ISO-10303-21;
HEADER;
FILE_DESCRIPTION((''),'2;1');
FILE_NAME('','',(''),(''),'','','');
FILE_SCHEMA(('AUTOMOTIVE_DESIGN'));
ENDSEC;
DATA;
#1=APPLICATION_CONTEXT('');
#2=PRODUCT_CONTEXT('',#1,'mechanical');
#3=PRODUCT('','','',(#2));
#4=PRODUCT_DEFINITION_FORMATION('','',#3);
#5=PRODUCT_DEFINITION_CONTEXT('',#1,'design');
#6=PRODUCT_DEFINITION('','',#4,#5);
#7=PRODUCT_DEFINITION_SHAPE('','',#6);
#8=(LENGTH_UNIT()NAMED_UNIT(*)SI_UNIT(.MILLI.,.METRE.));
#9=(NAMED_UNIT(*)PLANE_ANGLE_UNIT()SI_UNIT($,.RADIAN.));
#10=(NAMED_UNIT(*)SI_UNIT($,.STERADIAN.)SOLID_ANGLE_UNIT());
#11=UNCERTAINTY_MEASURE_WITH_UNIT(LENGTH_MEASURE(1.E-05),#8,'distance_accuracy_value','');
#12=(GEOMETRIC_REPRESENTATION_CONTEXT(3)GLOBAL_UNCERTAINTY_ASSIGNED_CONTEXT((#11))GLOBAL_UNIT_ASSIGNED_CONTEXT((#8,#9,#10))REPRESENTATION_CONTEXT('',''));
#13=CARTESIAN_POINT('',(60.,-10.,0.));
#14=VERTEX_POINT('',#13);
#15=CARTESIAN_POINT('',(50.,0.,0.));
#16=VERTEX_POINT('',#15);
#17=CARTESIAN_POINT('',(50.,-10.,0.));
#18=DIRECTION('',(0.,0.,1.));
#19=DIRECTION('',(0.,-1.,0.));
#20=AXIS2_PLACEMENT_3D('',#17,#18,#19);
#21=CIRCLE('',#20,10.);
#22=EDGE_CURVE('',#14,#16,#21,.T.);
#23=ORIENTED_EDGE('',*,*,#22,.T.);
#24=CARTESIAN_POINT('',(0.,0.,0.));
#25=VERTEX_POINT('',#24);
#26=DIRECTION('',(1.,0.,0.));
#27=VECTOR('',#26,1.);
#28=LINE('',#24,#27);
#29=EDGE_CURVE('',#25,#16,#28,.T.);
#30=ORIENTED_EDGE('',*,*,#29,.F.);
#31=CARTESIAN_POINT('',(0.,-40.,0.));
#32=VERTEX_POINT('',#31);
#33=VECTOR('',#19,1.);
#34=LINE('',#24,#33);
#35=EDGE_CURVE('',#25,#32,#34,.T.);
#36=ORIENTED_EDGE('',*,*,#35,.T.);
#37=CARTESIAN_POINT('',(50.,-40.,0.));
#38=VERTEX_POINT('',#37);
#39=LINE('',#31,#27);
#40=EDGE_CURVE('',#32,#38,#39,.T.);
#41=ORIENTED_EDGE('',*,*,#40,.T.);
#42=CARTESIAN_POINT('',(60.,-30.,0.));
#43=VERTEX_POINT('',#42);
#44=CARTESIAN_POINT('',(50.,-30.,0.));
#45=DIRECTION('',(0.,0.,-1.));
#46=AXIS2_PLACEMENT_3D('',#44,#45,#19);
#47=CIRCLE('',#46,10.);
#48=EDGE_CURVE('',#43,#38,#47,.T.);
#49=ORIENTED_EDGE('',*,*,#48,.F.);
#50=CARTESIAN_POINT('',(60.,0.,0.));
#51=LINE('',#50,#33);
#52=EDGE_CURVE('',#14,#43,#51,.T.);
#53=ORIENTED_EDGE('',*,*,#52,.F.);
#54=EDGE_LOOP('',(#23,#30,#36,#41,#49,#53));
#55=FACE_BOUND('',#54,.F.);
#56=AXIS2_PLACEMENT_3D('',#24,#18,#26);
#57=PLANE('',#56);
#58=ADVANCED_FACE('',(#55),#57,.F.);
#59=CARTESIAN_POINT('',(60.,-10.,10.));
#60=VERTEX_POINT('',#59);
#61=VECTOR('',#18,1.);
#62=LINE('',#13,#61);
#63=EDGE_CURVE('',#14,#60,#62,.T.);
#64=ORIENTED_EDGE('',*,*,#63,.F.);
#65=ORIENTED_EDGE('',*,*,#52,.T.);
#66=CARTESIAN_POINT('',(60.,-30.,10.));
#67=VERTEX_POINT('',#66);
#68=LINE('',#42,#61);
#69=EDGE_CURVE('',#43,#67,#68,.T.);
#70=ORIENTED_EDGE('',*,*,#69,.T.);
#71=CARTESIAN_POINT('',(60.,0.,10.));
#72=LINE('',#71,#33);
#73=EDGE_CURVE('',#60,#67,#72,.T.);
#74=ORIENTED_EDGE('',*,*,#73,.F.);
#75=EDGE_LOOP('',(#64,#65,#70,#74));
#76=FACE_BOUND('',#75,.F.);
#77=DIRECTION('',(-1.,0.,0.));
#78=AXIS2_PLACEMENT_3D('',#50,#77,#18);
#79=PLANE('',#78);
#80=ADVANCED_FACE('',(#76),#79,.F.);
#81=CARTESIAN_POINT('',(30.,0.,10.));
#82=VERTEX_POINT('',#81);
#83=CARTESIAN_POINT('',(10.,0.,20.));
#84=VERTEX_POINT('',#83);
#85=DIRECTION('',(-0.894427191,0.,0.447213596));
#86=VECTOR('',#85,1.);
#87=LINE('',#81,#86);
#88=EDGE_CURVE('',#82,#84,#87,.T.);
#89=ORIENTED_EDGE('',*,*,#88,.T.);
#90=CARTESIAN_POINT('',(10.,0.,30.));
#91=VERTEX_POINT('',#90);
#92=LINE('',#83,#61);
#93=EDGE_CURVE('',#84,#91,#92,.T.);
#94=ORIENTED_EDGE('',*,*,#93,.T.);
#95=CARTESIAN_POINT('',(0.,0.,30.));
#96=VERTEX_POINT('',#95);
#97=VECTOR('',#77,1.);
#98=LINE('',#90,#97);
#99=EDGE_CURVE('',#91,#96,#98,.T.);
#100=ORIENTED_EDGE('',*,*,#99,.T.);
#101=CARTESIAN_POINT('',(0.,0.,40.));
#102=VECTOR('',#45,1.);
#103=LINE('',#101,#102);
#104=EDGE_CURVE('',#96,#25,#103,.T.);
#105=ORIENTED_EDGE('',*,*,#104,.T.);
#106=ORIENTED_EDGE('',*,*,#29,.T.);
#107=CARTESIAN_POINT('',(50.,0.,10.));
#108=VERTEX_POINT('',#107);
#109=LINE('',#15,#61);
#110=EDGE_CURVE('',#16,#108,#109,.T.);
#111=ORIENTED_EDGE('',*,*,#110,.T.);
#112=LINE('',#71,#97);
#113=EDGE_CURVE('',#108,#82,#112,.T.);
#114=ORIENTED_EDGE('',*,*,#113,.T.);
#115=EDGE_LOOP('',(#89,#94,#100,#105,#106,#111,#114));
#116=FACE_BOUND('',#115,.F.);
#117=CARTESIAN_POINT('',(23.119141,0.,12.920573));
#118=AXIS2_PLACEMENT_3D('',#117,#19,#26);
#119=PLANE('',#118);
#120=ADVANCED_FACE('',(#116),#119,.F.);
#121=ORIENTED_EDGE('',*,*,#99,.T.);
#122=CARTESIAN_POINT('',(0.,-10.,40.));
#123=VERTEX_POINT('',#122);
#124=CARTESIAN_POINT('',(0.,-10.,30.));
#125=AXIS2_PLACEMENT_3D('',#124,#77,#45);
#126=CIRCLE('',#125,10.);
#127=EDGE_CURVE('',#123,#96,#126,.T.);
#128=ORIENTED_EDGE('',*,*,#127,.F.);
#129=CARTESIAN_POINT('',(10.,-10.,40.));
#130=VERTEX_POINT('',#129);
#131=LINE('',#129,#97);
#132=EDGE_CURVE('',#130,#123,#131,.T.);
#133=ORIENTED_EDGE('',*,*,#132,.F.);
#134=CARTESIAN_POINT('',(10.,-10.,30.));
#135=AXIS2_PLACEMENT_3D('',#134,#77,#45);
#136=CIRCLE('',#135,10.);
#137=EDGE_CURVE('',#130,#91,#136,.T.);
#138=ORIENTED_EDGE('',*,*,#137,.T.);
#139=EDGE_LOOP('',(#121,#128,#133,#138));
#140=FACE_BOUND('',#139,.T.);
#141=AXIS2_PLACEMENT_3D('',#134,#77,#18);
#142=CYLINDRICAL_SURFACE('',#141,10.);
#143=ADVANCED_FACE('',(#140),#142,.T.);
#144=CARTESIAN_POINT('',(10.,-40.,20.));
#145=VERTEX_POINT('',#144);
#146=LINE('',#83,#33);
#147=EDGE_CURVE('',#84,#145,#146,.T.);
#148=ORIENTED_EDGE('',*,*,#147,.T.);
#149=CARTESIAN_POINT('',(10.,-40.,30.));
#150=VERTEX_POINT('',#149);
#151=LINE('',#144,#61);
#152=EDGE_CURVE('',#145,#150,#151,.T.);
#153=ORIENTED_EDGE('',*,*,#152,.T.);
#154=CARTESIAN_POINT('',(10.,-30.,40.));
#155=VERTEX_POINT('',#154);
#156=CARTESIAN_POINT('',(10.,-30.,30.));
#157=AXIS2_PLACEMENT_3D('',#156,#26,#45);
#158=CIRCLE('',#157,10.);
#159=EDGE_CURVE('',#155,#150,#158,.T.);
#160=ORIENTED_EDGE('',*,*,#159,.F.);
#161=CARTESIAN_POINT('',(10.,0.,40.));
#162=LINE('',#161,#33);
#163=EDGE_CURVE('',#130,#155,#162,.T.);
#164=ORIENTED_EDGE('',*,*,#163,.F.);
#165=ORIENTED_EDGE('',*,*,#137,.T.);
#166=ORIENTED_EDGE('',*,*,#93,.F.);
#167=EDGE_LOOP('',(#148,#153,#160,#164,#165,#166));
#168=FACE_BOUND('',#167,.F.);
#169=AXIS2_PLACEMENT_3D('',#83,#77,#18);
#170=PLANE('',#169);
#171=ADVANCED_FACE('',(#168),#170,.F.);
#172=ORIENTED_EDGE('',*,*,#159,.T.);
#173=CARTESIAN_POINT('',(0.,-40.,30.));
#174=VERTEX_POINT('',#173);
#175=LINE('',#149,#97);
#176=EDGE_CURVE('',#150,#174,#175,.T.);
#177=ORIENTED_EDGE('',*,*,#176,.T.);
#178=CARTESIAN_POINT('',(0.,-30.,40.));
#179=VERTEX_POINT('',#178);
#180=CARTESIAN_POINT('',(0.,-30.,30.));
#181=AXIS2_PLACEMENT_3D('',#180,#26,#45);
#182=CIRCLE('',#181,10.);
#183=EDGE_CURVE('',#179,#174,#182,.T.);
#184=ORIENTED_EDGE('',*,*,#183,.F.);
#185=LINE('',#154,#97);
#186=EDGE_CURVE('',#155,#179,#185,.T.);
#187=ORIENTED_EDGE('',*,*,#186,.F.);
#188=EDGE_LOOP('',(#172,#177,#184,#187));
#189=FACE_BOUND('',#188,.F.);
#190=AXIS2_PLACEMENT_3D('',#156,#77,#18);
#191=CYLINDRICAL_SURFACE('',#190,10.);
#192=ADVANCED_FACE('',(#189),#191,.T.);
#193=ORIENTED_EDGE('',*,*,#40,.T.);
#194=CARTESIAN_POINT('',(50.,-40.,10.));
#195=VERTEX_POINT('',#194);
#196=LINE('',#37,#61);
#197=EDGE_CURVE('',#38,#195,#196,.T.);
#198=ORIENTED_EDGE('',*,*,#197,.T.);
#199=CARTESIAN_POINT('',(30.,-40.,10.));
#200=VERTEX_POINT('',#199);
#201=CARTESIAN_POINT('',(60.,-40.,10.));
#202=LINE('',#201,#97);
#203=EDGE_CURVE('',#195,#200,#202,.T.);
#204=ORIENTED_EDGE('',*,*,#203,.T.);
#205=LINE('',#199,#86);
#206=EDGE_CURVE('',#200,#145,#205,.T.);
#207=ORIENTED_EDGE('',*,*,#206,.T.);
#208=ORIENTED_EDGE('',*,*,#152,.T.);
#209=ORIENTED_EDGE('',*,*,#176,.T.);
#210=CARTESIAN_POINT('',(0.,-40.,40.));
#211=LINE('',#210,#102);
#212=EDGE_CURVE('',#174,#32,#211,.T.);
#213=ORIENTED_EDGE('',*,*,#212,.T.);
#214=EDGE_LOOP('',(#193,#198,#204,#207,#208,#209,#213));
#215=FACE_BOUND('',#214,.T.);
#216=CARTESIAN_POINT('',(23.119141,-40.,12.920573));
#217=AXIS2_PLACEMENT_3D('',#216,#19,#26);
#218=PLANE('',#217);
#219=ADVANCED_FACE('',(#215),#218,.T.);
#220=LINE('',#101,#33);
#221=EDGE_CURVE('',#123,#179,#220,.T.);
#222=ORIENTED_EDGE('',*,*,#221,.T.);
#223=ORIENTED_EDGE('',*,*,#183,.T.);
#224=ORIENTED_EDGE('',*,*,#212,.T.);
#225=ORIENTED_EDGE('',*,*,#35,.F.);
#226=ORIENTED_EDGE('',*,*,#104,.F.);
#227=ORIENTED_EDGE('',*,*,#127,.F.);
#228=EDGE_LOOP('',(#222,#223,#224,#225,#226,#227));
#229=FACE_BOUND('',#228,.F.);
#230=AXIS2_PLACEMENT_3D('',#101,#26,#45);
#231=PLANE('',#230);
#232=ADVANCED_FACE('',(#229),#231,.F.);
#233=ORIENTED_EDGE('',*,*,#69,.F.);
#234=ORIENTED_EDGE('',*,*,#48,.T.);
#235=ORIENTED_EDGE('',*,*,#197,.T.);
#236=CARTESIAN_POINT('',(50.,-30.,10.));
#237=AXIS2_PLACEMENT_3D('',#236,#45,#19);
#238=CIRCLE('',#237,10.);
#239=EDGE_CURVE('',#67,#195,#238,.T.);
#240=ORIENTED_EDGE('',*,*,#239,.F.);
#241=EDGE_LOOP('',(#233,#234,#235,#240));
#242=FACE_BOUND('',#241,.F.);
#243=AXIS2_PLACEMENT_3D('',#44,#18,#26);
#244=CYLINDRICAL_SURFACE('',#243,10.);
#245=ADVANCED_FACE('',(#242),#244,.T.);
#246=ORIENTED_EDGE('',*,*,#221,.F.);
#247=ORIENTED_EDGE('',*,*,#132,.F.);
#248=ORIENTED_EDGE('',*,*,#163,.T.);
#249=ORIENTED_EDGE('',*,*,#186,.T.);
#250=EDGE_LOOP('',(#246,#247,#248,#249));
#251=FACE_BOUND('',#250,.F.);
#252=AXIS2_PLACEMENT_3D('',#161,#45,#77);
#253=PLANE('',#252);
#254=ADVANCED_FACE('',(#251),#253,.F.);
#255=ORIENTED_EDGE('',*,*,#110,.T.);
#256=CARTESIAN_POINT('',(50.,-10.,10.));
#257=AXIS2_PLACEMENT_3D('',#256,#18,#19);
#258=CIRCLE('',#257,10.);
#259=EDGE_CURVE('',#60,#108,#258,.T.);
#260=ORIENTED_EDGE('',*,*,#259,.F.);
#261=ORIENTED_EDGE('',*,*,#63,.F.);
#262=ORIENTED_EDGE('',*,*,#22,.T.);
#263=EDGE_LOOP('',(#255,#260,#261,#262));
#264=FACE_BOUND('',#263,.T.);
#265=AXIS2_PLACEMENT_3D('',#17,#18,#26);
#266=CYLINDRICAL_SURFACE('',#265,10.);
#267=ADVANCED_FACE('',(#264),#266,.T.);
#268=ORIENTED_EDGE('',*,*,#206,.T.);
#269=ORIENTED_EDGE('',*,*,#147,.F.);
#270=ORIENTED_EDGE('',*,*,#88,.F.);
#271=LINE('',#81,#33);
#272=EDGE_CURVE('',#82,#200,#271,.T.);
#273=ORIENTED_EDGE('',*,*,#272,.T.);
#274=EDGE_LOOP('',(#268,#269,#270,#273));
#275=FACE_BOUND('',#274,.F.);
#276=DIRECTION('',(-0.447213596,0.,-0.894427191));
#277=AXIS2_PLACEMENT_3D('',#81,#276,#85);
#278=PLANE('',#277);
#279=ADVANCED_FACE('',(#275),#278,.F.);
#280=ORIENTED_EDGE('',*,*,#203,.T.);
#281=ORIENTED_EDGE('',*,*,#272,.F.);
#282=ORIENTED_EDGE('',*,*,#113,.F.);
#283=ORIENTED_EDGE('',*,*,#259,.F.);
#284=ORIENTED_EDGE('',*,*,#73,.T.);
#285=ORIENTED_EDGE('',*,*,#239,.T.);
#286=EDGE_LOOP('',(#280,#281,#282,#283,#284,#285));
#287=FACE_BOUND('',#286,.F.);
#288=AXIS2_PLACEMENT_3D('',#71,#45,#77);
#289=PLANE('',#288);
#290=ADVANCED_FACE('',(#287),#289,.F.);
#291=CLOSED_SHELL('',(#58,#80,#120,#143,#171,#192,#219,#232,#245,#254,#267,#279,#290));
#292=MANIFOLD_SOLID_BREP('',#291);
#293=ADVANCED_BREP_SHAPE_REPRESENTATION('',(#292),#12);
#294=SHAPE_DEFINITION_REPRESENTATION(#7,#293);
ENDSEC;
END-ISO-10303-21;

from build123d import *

# Parameters (mm, degrees)
F1_DEPTH = 40
F2_R     = 10


with BuildPart() as f1:
    # F0 (on Front) → F1 (new body)
    with BuildSketch(Plane.XZ):
        Polygon((0, 40), (0, 0), (60, 0), (60, 10), (30, 10), (10, 20), (10, 40), align=None)
    extrude(amount=F1_DEPTH)

    # F2
    f2_edges = [f1.edges().sort_by_distance(p)[0] for p in [
        (5, -40, 40),
        (60, -40, 5),
        (60, 0, 5),
        (5, 0, 40),
    ]]
    fillet(f2_edges, radius=F2_R)


solid = f1.part
